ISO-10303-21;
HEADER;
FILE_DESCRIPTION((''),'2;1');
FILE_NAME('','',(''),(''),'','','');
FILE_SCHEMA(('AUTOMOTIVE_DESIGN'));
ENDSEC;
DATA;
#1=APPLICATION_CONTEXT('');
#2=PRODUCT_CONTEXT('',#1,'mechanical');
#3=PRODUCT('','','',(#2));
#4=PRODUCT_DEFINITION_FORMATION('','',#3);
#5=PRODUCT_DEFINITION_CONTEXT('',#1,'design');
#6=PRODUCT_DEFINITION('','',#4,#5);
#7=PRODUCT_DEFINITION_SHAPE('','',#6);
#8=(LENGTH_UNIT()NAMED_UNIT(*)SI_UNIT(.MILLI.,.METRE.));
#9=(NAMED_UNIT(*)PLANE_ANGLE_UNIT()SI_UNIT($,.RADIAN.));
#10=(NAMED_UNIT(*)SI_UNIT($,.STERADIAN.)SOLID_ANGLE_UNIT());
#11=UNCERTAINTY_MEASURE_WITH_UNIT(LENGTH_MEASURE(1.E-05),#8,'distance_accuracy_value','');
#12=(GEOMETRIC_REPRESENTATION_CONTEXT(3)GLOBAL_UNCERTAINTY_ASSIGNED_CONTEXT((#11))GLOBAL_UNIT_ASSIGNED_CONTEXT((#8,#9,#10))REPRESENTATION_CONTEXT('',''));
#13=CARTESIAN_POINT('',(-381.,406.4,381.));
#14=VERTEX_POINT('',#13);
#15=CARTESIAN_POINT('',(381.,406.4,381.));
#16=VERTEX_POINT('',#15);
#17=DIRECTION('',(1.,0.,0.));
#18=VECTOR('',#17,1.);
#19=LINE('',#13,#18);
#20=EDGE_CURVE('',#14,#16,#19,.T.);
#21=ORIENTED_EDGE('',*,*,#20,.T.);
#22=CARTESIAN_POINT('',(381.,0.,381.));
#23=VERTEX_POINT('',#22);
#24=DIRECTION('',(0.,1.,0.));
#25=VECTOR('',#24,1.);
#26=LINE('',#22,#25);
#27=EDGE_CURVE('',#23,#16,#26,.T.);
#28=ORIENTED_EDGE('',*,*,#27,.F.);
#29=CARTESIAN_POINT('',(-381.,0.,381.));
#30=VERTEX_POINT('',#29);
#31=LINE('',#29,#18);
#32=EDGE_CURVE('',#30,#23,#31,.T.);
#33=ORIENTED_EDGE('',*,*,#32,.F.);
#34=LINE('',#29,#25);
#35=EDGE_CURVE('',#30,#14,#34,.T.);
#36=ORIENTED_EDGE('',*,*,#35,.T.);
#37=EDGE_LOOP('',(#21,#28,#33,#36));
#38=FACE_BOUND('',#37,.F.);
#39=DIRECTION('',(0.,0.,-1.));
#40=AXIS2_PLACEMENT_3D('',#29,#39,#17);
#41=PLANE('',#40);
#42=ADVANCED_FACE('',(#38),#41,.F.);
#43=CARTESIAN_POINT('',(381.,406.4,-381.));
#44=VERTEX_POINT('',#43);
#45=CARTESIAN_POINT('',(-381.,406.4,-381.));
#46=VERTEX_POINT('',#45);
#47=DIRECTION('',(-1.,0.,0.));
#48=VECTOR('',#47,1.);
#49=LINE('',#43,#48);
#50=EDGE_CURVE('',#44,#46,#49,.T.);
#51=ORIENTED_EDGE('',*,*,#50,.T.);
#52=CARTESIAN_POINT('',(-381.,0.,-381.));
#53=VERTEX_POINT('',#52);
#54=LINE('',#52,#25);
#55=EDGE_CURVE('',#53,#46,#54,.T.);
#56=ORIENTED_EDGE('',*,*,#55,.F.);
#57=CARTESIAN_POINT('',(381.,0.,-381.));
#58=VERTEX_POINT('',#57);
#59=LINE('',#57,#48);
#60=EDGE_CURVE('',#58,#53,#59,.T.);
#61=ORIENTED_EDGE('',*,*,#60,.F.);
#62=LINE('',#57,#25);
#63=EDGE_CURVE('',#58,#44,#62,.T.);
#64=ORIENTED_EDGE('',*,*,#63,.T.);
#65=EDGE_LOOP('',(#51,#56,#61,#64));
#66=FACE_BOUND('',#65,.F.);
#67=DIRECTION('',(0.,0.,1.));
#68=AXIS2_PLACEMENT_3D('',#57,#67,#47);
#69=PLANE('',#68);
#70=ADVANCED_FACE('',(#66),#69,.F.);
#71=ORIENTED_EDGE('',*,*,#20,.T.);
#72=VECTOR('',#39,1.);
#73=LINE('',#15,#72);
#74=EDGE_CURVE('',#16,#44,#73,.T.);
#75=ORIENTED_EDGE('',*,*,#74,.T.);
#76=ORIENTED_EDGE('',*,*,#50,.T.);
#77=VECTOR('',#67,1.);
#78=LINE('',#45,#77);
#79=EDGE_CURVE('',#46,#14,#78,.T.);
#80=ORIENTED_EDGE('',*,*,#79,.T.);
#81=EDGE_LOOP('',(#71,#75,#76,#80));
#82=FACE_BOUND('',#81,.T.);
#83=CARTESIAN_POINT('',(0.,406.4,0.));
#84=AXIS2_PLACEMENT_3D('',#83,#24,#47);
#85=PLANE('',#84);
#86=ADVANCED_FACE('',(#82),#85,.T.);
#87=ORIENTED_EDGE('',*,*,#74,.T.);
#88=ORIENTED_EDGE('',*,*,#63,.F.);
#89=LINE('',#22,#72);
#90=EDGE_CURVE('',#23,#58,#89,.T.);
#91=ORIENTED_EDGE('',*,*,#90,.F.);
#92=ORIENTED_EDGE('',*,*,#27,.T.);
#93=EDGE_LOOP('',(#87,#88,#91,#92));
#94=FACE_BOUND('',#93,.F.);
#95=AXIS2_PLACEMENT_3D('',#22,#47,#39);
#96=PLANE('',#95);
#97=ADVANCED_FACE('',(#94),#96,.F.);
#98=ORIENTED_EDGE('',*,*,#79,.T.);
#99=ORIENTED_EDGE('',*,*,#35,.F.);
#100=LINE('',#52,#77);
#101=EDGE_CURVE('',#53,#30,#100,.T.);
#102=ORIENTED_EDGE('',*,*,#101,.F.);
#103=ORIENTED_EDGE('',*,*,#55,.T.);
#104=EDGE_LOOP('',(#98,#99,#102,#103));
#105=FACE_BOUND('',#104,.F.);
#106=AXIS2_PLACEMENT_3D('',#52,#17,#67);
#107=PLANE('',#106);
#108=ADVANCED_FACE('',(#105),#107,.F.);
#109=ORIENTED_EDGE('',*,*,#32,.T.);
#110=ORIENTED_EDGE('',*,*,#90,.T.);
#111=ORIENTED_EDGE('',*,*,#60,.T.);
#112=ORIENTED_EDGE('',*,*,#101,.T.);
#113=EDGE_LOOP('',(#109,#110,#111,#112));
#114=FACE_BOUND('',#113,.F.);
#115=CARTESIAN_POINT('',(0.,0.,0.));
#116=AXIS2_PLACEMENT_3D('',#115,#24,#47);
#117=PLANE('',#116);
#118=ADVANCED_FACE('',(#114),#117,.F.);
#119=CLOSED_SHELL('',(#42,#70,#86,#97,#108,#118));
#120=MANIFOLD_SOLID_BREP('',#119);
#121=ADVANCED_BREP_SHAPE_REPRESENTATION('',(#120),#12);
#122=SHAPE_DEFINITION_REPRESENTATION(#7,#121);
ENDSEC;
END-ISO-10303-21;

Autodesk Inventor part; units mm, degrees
ref_plane "YZ Plane" through (0, 0, 0) normal (1, 0, 0) x (0, 1, 0)
ref_plane "XZ Plane" through (0, 0, 0) normal (0, 1, 0) x (-1, 0, 0)
ref_plane "XY Plane" through (0, 0, 0) normal (0, 0, 1) x (1, 0, 0)
sketch "Sketch2" plane through (0, 0, 0) normal (0, 1, 0) x (-1, 0, 0)
  line L0 (381, 381) -> (-381, 381)
  line L1 (-381, 381) -> (-381, -381)
  line L2 (-381, -381) -> (381, -381)
  line L3 (381, -381) -> (381, 381)
  line L4 (381, 381) -> (-381, -381) construction
  line L5 (-381, 381) -> (381, -381) construction
  point P0 (0, 0)
  dimension "d4" = 762
  dimension "d5" = 762
extrude "Extrusion1" add sketch "Sketch2" along normal blind 406.4
equation "\"d4\" = width"
equation "\"d5\" = length"
equation "\"width\" = 762"
equation "\"length\" = 762"
equation "\"height\" = 406.4"
equation "\"perimeter\" = 2 * width + 2 * length"
properties part number "maxVolumeForLowBot" material "Polycarbonate, Smoke"
